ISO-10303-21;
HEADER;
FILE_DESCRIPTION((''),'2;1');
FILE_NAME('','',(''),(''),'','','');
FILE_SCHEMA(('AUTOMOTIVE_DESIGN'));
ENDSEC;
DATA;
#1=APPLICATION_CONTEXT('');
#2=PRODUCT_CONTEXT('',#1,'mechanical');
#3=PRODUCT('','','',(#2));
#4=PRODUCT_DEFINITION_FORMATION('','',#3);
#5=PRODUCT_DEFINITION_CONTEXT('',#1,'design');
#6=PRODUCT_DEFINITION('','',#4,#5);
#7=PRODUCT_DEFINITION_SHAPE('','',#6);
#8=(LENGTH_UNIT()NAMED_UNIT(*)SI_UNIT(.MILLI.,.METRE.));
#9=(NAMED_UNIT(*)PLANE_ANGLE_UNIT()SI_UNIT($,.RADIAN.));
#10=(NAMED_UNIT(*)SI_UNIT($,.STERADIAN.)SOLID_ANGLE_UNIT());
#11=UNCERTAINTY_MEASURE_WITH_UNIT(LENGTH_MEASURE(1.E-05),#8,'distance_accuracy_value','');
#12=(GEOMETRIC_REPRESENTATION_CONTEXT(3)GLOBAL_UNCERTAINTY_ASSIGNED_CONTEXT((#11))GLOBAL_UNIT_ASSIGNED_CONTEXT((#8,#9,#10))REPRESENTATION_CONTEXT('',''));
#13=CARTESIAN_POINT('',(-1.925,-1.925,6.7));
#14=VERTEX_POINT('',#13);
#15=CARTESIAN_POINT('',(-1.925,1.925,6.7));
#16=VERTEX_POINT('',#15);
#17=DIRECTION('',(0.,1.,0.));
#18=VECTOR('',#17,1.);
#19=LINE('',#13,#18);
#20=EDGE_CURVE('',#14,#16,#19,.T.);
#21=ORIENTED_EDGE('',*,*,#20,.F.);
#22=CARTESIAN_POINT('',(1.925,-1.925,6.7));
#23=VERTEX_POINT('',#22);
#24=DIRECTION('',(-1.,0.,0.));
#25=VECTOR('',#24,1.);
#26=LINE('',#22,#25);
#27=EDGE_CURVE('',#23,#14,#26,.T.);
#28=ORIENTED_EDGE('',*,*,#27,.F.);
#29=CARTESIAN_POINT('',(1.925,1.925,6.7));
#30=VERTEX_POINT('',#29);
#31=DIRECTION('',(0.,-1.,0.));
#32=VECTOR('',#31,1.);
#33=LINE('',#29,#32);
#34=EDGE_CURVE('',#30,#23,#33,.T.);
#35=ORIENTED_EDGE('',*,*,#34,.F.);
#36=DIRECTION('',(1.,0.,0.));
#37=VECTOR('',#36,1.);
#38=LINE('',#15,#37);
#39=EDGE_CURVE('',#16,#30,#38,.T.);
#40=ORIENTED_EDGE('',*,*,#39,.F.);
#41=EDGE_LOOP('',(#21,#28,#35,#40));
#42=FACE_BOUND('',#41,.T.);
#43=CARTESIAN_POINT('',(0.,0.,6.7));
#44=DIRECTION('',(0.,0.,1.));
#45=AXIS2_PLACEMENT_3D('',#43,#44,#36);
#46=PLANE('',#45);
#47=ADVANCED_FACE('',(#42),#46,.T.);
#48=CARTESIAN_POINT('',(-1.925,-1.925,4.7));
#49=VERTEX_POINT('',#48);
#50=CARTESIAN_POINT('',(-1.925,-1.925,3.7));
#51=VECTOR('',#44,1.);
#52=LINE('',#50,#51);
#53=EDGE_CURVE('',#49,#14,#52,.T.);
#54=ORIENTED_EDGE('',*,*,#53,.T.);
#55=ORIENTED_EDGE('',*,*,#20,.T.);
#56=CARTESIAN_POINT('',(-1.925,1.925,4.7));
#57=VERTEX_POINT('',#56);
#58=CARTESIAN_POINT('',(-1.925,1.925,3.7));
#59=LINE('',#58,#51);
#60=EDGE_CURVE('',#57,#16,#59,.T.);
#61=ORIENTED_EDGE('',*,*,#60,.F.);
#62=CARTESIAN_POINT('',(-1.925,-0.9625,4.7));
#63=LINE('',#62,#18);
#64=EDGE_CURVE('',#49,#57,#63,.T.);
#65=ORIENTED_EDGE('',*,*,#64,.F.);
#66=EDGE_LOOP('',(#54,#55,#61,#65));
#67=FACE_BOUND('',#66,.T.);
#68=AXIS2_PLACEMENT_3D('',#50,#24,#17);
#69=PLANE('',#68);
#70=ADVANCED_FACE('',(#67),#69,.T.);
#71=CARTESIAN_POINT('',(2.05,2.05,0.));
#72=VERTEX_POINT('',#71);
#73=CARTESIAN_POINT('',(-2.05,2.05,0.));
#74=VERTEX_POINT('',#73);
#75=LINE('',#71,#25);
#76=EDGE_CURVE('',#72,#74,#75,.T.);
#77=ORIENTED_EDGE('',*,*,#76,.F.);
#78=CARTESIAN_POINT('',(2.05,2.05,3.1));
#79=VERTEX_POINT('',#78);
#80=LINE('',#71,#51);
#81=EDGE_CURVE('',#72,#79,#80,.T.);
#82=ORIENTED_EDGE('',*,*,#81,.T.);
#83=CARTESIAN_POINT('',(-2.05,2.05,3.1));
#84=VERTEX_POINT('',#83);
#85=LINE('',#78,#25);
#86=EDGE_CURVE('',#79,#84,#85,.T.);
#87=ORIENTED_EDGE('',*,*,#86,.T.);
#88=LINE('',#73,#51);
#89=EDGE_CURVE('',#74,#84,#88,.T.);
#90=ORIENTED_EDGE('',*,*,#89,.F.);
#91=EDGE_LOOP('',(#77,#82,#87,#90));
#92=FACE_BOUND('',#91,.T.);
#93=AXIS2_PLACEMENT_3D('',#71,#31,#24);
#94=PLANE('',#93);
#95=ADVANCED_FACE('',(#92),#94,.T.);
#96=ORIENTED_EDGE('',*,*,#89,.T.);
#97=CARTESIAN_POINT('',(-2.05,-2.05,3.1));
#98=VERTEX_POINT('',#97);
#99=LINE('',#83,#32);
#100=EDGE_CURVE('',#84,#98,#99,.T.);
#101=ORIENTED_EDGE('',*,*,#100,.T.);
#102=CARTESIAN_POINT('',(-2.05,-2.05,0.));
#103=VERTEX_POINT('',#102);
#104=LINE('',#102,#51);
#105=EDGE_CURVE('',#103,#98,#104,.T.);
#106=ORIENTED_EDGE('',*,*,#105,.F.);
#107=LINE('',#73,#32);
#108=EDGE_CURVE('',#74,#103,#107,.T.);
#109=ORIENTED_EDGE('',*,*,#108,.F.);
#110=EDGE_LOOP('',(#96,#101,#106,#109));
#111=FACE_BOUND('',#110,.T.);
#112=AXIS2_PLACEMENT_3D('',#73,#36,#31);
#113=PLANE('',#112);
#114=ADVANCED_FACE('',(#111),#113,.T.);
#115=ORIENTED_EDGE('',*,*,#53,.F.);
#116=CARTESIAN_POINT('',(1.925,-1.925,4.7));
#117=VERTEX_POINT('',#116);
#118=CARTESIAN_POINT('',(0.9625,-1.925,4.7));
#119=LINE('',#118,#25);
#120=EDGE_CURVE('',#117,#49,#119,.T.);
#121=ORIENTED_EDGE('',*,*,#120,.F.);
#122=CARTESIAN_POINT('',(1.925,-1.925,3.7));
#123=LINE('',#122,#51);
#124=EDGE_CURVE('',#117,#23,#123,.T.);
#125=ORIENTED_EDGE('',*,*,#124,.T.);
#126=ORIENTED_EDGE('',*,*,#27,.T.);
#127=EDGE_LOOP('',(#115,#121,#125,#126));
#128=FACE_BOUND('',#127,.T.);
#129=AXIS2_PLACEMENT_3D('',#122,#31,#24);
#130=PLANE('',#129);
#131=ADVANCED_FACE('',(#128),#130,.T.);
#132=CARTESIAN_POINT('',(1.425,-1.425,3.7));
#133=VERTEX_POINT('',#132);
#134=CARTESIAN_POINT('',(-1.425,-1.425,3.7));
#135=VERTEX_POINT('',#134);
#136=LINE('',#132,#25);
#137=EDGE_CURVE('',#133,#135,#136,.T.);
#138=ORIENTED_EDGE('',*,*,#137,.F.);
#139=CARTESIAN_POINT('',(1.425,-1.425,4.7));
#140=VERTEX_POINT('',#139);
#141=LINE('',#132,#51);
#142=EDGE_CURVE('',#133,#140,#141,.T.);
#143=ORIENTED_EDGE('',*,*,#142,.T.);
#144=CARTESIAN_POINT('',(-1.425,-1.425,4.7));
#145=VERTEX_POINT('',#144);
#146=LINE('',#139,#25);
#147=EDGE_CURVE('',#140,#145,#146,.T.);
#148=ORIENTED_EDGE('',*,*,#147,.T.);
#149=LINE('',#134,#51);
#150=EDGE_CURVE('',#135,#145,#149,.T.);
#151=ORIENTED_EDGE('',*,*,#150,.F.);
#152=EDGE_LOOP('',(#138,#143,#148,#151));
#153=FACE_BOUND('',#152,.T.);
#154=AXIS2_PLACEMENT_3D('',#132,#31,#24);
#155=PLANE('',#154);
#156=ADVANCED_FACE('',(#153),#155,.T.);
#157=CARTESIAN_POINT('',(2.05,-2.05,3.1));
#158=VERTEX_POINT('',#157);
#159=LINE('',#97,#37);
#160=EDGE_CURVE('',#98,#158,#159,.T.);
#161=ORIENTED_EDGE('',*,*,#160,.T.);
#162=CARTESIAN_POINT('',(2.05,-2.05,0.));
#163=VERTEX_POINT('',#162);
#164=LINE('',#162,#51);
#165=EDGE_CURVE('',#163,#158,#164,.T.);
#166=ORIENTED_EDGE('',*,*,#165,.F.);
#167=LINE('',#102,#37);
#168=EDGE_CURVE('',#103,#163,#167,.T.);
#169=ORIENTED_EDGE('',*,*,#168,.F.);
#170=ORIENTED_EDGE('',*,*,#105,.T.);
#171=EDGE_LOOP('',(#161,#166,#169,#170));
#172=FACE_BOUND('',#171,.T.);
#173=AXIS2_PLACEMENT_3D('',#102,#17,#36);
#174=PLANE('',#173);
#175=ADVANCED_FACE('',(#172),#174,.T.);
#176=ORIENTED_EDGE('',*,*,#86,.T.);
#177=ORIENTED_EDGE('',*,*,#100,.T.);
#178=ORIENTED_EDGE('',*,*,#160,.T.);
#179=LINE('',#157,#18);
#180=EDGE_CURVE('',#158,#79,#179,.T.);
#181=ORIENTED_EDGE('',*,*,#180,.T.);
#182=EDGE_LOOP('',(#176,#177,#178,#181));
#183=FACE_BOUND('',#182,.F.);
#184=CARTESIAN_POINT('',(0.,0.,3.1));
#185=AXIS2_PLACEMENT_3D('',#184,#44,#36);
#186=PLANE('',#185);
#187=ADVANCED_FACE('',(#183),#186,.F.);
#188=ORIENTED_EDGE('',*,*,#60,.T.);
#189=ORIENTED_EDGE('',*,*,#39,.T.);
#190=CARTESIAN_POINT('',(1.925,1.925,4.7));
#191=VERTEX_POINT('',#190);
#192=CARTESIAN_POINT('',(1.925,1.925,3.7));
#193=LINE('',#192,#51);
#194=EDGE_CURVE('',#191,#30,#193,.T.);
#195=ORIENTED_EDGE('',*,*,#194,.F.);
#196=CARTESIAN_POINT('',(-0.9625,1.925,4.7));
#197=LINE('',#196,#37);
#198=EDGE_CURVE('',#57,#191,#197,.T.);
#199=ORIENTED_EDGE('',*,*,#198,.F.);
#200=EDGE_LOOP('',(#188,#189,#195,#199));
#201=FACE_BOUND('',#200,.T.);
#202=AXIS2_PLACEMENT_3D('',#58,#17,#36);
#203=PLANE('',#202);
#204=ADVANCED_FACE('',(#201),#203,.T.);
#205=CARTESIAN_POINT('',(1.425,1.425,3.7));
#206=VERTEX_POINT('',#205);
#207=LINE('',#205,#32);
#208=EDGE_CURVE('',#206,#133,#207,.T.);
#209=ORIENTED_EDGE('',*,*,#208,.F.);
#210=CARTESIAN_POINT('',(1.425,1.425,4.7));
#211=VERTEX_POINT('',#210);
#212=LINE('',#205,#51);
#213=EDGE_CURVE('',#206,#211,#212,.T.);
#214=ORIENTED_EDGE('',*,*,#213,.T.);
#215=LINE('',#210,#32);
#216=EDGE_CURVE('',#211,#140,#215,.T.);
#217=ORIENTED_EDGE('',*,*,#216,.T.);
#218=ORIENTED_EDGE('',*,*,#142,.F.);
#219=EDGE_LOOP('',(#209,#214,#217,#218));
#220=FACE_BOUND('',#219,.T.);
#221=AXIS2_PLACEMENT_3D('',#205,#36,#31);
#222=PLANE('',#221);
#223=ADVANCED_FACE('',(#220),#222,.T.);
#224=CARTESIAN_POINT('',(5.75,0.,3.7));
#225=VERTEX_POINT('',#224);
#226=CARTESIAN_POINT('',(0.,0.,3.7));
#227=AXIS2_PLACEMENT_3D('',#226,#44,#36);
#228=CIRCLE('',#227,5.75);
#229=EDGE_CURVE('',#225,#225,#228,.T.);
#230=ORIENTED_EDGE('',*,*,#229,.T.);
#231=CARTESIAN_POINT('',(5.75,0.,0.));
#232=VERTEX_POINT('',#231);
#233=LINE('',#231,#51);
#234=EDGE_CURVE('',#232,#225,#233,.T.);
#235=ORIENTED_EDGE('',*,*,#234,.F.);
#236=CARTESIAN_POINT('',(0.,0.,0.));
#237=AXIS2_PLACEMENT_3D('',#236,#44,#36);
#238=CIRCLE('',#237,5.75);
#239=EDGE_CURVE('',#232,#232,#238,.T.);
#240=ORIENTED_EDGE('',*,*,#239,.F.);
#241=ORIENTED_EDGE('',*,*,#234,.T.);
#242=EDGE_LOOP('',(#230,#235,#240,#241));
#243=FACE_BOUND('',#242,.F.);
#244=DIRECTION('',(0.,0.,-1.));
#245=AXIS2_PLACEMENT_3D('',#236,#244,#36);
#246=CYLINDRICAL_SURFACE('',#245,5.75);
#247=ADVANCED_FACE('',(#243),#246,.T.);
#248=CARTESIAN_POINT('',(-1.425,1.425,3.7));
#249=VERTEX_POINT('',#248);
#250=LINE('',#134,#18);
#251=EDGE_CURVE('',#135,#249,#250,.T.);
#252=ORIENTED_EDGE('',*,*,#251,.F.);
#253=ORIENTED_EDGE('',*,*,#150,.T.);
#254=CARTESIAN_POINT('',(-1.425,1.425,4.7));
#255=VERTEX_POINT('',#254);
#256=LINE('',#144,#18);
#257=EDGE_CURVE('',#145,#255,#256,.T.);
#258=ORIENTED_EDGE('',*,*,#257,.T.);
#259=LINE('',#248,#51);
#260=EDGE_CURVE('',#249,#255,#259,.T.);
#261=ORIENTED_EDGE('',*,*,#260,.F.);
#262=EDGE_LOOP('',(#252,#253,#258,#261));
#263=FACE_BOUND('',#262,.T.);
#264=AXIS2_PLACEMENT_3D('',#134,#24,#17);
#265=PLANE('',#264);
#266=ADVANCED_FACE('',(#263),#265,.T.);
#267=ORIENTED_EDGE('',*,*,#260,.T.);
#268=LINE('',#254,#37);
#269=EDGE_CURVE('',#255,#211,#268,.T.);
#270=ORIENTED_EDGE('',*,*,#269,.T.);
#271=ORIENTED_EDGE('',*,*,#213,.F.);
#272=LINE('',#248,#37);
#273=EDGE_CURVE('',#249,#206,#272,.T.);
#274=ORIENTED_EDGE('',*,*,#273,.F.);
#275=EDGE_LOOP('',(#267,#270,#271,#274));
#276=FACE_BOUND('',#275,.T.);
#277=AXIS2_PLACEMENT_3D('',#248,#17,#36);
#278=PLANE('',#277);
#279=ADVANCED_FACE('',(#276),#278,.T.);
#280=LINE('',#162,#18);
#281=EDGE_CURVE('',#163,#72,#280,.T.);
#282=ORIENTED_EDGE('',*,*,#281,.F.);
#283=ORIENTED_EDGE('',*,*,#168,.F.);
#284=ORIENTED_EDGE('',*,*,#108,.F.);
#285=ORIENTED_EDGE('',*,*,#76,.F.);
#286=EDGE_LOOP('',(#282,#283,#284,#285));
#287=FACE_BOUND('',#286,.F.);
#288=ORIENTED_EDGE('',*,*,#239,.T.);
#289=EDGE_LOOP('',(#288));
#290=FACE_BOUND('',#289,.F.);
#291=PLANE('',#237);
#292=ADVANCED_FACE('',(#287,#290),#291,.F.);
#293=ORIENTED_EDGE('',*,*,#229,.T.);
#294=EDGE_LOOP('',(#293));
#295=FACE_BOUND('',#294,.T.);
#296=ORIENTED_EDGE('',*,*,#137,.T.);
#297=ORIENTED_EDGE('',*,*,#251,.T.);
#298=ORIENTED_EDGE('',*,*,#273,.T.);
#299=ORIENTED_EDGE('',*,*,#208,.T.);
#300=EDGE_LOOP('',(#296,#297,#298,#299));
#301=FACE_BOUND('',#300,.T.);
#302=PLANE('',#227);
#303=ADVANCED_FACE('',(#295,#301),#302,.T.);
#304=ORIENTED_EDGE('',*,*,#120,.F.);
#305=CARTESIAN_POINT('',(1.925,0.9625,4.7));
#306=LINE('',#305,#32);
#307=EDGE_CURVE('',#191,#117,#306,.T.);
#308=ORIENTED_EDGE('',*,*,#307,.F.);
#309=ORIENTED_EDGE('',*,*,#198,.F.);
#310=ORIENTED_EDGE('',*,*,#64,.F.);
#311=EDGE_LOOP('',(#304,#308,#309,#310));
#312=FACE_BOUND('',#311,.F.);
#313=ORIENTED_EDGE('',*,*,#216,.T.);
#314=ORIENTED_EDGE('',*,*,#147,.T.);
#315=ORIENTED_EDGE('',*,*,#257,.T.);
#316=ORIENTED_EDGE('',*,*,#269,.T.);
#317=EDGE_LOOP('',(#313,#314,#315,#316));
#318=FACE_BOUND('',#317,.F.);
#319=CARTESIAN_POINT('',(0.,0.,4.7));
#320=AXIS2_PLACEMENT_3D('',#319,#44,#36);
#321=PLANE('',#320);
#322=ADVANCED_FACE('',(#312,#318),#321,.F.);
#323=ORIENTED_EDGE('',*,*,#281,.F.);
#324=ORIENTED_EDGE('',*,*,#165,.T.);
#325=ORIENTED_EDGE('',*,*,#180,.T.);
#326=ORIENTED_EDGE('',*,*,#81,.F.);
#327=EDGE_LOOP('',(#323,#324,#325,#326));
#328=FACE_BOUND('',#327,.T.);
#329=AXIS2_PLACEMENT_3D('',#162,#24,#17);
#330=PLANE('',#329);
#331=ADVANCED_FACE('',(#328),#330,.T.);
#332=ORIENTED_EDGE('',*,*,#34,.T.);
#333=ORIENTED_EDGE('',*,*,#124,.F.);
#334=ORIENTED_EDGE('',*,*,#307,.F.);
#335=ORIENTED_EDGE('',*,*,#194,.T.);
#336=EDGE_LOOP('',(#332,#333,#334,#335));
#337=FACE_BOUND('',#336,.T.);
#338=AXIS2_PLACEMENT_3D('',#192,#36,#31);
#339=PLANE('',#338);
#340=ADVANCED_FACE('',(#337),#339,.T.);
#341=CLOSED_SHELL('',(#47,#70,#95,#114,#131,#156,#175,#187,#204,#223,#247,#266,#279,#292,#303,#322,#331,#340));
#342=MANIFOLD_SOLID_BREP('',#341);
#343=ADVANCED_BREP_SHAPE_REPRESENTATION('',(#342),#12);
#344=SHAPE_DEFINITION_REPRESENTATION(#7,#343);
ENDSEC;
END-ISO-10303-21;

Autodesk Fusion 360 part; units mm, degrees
sketch "Sketch1" plane through (0, 0, 0) normal (0, 0, 1) x (1, 0, 0)
  circle A0 centre (0, 0) radius 5.75
  line L0 (1.925, -1.925) -> (-1.925, -1.925)
  line L1 (-1.925, -1.925) -> (-1.925, 1.925)
  line L2 (-1.925, 1.925) -> (1.925, 1.925)
  line L3 (1.925, 1.925) -> (1.925, -1.925)
  line L4 (1.925, -1.925) -> (-1.925, 1.925) construction
  line L5 (-1.925, -1.925) -> (1.925, 1.925) construction
  line L6 (-1.425, 1.425) -> (1.425, 1.425)
  line L7 (1.425, 1.425) -> (1.425, -1.425)
  line L8 (1.425, -1.425) -> (-1.425, -1.425)
  line L9 (-1.425, -1.425) -> (-1.425, 1.425)
  line L10 (-2.05, -2.05) -> (2.05, -2.05)
  line L11 (2.05, -2.05) -> (2.05, 2.05)
  line L12 (2.05, 2.05) -> (-2.05, 2.05)
  line L13 (-2.05, 2.05) -> (-2.05, -2.05)
  line L14 (-2.05, -2.05) -> (2.05, 2.05) construction
  line L15 (2.05, -2.05) -> (-2.05, 2.05) construction
  dimension "d1" = 11.5
  dimension "d2" = 3.85
  dimension "d3" = 3.85
  dimension "d11" = 0.5
  dimension "d12" = 4.1
  dimension "d13" = 4.1
extrude "Extrude1" add sketch "Sketch1" along normal blind 3.7 contours A0 | L0 L1 L2 L3 | L6 L7 L8 L9 | L10 L11 L12 L13
extrude "Extrude2" cut sketch "Sketch1" along normal blind 3.1 contours L0 L1 L2 L3 | L6 L7 L8 L9 | L10 L11 L12 L13
extrude "Extrude3" add sketch "Sketch1" along normal blind 3 from surface at 3.7 contours L0 L1 L2 L3 | L6 L7 L8 L9
extrude "Extrude4" cut sketch "Sketch1" along normal blind 1 from surface at 3.7 contours L0 L1 L2 L3 | L10 L11 L12 L13
